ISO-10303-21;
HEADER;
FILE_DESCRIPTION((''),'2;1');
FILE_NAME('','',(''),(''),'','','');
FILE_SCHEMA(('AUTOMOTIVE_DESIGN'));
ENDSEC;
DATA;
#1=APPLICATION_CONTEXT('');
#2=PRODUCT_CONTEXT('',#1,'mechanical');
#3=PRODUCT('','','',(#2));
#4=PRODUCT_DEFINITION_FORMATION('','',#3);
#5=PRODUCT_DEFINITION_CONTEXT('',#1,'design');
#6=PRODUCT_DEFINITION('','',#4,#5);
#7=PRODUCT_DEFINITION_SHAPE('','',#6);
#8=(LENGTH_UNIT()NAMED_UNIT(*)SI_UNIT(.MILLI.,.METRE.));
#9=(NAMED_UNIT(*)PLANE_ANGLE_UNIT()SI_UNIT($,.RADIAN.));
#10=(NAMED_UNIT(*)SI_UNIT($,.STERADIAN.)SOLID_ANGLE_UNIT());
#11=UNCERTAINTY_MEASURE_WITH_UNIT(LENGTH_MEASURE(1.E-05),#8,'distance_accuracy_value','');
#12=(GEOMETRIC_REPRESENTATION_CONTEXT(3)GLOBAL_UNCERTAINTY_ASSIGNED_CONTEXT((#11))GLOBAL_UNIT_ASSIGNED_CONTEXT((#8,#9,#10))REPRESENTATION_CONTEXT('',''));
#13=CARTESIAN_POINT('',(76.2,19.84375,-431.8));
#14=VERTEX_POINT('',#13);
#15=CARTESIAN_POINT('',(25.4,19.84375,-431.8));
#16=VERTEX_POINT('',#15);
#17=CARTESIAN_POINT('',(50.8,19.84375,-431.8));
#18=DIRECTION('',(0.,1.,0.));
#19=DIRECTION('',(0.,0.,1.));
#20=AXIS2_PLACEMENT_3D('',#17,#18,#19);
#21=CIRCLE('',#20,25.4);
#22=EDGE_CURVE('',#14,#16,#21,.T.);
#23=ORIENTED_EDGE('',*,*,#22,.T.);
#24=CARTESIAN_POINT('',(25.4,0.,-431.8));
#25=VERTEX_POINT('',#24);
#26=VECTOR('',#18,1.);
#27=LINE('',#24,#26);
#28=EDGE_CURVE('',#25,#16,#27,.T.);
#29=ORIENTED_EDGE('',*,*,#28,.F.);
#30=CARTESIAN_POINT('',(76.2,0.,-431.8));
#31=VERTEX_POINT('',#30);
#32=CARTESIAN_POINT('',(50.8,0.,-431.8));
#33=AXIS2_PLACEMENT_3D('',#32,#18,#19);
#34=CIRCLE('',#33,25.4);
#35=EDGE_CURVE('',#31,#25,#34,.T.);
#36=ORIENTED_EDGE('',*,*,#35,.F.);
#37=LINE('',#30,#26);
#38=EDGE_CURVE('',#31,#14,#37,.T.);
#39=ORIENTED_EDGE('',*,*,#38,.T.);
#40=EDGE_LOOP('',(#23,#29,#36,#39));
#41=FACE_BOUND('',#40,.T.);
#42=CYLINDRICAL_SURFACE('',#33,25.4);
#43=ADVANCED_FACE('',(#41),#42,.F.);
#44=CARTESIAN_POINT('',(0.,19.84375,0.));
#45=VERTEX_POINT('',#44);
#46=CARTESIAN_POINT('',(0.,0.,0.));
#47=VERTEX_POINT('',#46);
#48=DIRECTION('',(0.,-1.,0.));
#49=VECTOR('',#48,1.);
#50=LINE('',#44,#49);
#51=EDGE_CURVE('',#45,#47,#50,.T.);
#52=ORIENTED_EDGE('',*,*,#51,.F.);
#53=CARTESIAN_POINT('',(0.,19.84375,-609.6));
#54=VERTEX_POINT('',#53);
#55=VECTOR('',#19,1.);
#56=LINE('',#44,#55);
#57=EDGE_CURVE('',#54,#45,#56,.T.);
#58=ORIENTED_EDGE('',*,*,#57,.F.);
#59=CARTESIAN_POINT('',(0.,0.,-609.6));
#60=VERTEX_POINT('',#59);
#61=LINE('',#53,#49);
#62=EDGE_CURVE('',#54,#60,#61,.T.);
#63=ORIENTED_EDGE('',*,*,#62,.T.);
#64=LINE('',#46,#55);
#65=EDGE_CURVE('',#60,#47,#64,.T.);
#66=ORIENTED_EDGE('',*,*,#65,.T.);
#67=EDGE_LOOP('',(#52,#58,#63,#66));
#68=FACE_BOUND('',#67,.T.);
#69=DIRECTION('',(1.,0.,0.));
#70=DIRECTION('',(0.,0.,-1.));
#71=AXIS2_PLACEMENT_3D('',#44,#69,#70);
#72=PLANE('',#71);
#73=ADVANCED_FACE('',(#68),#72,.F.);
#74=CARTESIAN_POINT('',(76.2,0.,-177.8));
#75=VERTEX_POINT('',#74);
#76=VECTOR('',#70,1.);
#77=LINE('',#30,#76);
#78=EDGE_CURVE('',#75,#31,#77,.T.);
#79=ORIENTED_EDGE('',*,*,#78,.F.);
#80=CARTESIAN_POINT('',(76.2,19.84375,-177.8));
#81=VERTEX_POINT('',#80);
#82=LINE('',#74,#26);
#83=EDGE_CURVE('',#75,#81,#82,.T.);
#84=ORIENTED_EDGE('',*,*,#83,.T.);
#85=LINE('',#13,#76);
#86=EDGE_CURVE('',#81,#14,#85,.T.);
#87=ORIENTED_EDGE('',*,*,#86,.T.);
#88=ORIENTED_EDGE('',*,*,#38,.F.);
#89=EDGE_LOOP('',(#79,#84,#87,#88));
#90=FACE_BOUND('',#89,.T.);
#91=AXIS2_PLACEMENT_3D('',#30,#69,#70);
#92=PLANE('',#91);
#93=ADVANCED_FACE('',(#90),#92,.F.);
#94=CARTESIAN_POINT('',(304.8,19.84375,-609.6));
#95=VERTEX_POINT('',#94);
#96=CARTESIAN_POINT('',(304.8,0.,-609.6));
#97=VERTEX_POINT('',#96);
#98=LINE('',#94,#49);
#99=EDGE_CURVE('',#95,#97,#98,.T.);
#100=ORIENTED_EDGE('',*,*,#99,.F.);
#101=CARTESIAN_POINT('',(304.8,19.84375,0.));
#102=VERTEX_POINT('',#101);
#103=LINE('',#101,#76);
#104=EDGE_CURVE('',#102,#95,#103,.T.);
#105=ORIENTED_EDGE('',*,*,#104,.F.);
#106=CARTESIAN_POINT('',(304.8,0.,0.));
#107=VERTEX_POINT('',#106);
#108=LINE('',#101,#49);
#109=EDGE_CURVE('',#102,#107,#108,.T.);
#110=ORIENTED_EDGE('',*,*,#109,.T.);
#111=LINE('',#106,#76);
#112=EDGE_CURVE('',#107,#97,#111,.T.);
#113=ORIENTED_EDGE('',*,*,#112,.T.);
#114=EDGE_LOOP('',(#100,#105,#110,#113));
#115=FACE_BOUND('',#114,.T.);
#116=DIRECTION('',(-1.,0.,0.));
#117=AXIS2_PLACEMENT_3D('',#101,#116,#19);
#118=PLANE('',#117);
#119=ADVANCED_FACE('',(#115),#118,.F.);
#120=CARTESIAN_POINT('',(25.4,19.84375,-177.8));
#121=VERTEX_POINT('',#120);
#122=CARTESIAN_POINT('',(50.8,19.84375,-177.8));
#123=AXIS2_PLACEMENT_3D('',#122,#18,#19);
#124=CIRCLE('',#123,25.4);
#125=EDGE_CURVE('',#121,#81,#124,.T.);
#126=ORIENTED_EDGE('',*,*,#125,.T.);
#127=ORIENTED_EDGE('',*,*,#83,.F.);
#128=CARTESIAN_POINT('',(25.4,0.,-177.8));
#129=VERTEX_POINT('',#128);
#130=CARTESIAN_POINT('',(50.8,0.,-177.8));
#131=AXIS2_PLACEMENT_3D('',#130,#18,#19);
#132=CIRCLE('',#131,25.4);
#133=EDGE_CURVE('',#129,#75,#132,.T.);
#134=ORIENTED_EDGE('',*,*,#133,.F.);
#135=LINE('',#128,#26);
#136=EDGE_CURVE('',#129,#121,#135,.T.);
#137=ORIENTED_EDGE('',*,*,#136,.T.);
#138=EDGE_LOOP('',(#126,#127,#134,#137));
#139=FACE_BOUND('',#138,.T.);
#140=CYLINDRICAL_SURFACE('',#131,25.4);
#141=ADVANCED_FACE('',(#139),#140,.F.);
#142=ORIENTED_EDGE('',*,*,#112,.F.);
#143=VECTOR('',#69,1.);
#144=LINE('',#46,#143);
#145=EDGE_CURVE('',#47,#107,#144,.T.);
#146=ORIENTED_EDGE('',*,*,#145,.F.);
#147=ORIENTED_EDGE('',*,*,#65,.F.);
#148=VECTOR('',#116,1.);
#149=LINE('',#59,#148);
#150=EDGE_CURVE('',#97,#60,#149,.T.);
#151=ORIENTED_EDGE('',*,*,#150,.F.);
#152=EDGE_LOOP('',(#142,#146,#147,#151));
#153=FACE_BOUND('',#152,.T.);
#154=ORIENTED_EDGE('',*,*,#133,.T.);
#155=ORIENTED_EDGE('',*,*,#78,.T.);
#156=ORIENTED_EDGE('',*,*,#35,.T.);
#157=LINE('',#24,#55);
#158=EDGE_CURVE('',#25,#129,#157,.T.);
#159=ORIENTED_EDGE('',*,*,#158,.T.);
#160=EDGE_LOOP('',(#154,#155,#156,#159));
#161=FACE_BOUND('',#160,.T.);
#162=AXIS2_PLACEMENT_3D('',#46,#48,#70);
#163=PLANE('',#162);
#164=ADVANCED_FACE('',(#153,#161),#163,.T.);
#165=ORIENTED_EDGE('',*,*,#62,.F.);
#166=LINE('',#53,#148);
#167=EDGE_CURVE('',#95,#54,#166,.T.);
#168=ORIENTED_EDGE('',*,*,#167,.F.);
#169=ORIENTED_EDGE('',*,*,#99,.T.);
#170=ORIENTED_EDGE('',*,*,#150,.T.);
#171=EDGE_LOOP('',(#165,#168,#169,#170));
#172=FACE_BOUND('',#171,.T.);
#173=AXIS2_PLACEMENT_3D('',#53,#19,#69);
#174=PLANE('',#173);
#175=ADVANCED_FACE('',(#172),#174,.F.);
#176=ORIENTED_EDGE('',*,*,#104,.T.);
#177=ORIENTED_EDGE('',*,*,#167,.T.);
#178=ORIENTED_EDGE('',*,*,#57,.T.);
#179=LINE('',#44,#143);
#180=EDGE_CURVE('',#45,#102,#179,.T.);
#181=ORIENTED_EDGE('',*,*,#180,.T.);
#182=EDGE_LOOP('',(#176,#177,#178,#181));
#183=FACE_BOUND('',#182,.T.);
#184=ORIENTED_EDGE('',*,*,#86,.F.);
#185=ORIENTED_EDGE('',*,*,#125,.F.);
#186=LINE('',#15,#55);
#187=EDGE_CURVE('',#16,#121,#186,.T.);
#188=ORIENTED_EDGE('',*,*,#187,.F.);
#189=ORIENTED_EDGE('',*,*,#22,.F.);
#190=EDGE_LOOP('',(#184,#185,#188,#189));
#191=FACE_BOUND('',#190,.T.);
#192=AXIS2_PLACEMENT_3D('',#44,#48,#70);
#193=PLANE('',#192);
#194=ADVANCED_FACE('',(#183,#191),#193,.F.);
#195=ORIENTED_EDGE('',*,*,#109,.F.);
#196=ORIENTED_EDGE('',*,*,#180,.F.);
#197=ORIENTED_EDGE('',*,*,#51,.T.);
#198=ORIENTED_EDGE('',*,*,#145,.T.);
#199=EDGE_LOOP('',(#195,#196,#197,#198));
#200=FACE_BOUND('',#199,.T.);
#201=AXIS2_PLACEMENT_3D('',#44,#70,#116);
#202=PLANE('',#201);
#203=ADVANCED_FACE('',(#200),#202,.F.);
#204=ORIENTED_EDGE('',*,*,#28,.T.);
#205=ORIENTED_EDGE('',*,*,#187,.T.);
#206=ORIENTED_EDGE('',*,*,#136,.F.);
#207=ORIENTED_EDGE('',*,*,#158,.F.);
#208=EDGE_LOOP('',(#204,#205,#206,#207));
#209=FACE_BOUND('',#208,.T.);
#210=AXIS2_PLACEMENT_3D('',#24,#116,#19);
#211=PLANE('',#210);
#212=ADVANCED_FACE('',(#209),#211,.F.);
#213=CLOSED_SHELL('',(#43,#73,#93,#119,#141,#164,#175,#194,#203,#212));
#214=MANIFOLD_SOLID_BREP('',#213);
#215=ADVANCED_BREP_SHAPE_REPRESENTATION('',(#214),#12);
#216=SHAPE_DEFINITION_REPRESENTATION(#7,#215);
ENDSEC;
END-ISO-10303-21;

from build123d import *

# Parameters (mm, degrees)
SKETCH1_W           = 304.8
SKETCH1_H           = 609.6
BOSS_EXTRUDE1_DEPTH = 19.84375
CUT_EXTRUDE1_DEPTH  = 682.842338385


with BuildPart() as part:
    # Sketch1 → Boss-Extrude1 (new body)
    with BuildSketch(Plane(origin=(0, 0, 0), x_dir=(1, 0, 0), z_dir=(0, 1, 0))):
        with Locations((152.4, 304.8)):
            Rectangle(SKETCH1_W, SKETCH1_H)
    extrude(amount=BOSS_EXTRUDE1_DEPTH)

    # Sketch2 → Cut-Extrude1 (cut, through all)
    with BuildSketch(Plane(origin=(0, 19.84375, 0), x_dir=(1, 0, 0), z_dir=(0, 1, 0))):
        with BuildLine():
            Line((76.2, 431.8), (76.2, 177.8))
            ThreePointArc((76.2, 177.8), (50.8, 152.4), (25.4, 177.8))
            Line((25.4, 177.8), (25.4, 431.8))
            ThreePointArc((25.4, 431.8), (50.8, 457.2), (76.2, 431.8))
        make_face()
    extrude(amount=-CUT_EXTRUDE1_DEPTH, mode=Mode.SUBTRACT)


solid = part.part
